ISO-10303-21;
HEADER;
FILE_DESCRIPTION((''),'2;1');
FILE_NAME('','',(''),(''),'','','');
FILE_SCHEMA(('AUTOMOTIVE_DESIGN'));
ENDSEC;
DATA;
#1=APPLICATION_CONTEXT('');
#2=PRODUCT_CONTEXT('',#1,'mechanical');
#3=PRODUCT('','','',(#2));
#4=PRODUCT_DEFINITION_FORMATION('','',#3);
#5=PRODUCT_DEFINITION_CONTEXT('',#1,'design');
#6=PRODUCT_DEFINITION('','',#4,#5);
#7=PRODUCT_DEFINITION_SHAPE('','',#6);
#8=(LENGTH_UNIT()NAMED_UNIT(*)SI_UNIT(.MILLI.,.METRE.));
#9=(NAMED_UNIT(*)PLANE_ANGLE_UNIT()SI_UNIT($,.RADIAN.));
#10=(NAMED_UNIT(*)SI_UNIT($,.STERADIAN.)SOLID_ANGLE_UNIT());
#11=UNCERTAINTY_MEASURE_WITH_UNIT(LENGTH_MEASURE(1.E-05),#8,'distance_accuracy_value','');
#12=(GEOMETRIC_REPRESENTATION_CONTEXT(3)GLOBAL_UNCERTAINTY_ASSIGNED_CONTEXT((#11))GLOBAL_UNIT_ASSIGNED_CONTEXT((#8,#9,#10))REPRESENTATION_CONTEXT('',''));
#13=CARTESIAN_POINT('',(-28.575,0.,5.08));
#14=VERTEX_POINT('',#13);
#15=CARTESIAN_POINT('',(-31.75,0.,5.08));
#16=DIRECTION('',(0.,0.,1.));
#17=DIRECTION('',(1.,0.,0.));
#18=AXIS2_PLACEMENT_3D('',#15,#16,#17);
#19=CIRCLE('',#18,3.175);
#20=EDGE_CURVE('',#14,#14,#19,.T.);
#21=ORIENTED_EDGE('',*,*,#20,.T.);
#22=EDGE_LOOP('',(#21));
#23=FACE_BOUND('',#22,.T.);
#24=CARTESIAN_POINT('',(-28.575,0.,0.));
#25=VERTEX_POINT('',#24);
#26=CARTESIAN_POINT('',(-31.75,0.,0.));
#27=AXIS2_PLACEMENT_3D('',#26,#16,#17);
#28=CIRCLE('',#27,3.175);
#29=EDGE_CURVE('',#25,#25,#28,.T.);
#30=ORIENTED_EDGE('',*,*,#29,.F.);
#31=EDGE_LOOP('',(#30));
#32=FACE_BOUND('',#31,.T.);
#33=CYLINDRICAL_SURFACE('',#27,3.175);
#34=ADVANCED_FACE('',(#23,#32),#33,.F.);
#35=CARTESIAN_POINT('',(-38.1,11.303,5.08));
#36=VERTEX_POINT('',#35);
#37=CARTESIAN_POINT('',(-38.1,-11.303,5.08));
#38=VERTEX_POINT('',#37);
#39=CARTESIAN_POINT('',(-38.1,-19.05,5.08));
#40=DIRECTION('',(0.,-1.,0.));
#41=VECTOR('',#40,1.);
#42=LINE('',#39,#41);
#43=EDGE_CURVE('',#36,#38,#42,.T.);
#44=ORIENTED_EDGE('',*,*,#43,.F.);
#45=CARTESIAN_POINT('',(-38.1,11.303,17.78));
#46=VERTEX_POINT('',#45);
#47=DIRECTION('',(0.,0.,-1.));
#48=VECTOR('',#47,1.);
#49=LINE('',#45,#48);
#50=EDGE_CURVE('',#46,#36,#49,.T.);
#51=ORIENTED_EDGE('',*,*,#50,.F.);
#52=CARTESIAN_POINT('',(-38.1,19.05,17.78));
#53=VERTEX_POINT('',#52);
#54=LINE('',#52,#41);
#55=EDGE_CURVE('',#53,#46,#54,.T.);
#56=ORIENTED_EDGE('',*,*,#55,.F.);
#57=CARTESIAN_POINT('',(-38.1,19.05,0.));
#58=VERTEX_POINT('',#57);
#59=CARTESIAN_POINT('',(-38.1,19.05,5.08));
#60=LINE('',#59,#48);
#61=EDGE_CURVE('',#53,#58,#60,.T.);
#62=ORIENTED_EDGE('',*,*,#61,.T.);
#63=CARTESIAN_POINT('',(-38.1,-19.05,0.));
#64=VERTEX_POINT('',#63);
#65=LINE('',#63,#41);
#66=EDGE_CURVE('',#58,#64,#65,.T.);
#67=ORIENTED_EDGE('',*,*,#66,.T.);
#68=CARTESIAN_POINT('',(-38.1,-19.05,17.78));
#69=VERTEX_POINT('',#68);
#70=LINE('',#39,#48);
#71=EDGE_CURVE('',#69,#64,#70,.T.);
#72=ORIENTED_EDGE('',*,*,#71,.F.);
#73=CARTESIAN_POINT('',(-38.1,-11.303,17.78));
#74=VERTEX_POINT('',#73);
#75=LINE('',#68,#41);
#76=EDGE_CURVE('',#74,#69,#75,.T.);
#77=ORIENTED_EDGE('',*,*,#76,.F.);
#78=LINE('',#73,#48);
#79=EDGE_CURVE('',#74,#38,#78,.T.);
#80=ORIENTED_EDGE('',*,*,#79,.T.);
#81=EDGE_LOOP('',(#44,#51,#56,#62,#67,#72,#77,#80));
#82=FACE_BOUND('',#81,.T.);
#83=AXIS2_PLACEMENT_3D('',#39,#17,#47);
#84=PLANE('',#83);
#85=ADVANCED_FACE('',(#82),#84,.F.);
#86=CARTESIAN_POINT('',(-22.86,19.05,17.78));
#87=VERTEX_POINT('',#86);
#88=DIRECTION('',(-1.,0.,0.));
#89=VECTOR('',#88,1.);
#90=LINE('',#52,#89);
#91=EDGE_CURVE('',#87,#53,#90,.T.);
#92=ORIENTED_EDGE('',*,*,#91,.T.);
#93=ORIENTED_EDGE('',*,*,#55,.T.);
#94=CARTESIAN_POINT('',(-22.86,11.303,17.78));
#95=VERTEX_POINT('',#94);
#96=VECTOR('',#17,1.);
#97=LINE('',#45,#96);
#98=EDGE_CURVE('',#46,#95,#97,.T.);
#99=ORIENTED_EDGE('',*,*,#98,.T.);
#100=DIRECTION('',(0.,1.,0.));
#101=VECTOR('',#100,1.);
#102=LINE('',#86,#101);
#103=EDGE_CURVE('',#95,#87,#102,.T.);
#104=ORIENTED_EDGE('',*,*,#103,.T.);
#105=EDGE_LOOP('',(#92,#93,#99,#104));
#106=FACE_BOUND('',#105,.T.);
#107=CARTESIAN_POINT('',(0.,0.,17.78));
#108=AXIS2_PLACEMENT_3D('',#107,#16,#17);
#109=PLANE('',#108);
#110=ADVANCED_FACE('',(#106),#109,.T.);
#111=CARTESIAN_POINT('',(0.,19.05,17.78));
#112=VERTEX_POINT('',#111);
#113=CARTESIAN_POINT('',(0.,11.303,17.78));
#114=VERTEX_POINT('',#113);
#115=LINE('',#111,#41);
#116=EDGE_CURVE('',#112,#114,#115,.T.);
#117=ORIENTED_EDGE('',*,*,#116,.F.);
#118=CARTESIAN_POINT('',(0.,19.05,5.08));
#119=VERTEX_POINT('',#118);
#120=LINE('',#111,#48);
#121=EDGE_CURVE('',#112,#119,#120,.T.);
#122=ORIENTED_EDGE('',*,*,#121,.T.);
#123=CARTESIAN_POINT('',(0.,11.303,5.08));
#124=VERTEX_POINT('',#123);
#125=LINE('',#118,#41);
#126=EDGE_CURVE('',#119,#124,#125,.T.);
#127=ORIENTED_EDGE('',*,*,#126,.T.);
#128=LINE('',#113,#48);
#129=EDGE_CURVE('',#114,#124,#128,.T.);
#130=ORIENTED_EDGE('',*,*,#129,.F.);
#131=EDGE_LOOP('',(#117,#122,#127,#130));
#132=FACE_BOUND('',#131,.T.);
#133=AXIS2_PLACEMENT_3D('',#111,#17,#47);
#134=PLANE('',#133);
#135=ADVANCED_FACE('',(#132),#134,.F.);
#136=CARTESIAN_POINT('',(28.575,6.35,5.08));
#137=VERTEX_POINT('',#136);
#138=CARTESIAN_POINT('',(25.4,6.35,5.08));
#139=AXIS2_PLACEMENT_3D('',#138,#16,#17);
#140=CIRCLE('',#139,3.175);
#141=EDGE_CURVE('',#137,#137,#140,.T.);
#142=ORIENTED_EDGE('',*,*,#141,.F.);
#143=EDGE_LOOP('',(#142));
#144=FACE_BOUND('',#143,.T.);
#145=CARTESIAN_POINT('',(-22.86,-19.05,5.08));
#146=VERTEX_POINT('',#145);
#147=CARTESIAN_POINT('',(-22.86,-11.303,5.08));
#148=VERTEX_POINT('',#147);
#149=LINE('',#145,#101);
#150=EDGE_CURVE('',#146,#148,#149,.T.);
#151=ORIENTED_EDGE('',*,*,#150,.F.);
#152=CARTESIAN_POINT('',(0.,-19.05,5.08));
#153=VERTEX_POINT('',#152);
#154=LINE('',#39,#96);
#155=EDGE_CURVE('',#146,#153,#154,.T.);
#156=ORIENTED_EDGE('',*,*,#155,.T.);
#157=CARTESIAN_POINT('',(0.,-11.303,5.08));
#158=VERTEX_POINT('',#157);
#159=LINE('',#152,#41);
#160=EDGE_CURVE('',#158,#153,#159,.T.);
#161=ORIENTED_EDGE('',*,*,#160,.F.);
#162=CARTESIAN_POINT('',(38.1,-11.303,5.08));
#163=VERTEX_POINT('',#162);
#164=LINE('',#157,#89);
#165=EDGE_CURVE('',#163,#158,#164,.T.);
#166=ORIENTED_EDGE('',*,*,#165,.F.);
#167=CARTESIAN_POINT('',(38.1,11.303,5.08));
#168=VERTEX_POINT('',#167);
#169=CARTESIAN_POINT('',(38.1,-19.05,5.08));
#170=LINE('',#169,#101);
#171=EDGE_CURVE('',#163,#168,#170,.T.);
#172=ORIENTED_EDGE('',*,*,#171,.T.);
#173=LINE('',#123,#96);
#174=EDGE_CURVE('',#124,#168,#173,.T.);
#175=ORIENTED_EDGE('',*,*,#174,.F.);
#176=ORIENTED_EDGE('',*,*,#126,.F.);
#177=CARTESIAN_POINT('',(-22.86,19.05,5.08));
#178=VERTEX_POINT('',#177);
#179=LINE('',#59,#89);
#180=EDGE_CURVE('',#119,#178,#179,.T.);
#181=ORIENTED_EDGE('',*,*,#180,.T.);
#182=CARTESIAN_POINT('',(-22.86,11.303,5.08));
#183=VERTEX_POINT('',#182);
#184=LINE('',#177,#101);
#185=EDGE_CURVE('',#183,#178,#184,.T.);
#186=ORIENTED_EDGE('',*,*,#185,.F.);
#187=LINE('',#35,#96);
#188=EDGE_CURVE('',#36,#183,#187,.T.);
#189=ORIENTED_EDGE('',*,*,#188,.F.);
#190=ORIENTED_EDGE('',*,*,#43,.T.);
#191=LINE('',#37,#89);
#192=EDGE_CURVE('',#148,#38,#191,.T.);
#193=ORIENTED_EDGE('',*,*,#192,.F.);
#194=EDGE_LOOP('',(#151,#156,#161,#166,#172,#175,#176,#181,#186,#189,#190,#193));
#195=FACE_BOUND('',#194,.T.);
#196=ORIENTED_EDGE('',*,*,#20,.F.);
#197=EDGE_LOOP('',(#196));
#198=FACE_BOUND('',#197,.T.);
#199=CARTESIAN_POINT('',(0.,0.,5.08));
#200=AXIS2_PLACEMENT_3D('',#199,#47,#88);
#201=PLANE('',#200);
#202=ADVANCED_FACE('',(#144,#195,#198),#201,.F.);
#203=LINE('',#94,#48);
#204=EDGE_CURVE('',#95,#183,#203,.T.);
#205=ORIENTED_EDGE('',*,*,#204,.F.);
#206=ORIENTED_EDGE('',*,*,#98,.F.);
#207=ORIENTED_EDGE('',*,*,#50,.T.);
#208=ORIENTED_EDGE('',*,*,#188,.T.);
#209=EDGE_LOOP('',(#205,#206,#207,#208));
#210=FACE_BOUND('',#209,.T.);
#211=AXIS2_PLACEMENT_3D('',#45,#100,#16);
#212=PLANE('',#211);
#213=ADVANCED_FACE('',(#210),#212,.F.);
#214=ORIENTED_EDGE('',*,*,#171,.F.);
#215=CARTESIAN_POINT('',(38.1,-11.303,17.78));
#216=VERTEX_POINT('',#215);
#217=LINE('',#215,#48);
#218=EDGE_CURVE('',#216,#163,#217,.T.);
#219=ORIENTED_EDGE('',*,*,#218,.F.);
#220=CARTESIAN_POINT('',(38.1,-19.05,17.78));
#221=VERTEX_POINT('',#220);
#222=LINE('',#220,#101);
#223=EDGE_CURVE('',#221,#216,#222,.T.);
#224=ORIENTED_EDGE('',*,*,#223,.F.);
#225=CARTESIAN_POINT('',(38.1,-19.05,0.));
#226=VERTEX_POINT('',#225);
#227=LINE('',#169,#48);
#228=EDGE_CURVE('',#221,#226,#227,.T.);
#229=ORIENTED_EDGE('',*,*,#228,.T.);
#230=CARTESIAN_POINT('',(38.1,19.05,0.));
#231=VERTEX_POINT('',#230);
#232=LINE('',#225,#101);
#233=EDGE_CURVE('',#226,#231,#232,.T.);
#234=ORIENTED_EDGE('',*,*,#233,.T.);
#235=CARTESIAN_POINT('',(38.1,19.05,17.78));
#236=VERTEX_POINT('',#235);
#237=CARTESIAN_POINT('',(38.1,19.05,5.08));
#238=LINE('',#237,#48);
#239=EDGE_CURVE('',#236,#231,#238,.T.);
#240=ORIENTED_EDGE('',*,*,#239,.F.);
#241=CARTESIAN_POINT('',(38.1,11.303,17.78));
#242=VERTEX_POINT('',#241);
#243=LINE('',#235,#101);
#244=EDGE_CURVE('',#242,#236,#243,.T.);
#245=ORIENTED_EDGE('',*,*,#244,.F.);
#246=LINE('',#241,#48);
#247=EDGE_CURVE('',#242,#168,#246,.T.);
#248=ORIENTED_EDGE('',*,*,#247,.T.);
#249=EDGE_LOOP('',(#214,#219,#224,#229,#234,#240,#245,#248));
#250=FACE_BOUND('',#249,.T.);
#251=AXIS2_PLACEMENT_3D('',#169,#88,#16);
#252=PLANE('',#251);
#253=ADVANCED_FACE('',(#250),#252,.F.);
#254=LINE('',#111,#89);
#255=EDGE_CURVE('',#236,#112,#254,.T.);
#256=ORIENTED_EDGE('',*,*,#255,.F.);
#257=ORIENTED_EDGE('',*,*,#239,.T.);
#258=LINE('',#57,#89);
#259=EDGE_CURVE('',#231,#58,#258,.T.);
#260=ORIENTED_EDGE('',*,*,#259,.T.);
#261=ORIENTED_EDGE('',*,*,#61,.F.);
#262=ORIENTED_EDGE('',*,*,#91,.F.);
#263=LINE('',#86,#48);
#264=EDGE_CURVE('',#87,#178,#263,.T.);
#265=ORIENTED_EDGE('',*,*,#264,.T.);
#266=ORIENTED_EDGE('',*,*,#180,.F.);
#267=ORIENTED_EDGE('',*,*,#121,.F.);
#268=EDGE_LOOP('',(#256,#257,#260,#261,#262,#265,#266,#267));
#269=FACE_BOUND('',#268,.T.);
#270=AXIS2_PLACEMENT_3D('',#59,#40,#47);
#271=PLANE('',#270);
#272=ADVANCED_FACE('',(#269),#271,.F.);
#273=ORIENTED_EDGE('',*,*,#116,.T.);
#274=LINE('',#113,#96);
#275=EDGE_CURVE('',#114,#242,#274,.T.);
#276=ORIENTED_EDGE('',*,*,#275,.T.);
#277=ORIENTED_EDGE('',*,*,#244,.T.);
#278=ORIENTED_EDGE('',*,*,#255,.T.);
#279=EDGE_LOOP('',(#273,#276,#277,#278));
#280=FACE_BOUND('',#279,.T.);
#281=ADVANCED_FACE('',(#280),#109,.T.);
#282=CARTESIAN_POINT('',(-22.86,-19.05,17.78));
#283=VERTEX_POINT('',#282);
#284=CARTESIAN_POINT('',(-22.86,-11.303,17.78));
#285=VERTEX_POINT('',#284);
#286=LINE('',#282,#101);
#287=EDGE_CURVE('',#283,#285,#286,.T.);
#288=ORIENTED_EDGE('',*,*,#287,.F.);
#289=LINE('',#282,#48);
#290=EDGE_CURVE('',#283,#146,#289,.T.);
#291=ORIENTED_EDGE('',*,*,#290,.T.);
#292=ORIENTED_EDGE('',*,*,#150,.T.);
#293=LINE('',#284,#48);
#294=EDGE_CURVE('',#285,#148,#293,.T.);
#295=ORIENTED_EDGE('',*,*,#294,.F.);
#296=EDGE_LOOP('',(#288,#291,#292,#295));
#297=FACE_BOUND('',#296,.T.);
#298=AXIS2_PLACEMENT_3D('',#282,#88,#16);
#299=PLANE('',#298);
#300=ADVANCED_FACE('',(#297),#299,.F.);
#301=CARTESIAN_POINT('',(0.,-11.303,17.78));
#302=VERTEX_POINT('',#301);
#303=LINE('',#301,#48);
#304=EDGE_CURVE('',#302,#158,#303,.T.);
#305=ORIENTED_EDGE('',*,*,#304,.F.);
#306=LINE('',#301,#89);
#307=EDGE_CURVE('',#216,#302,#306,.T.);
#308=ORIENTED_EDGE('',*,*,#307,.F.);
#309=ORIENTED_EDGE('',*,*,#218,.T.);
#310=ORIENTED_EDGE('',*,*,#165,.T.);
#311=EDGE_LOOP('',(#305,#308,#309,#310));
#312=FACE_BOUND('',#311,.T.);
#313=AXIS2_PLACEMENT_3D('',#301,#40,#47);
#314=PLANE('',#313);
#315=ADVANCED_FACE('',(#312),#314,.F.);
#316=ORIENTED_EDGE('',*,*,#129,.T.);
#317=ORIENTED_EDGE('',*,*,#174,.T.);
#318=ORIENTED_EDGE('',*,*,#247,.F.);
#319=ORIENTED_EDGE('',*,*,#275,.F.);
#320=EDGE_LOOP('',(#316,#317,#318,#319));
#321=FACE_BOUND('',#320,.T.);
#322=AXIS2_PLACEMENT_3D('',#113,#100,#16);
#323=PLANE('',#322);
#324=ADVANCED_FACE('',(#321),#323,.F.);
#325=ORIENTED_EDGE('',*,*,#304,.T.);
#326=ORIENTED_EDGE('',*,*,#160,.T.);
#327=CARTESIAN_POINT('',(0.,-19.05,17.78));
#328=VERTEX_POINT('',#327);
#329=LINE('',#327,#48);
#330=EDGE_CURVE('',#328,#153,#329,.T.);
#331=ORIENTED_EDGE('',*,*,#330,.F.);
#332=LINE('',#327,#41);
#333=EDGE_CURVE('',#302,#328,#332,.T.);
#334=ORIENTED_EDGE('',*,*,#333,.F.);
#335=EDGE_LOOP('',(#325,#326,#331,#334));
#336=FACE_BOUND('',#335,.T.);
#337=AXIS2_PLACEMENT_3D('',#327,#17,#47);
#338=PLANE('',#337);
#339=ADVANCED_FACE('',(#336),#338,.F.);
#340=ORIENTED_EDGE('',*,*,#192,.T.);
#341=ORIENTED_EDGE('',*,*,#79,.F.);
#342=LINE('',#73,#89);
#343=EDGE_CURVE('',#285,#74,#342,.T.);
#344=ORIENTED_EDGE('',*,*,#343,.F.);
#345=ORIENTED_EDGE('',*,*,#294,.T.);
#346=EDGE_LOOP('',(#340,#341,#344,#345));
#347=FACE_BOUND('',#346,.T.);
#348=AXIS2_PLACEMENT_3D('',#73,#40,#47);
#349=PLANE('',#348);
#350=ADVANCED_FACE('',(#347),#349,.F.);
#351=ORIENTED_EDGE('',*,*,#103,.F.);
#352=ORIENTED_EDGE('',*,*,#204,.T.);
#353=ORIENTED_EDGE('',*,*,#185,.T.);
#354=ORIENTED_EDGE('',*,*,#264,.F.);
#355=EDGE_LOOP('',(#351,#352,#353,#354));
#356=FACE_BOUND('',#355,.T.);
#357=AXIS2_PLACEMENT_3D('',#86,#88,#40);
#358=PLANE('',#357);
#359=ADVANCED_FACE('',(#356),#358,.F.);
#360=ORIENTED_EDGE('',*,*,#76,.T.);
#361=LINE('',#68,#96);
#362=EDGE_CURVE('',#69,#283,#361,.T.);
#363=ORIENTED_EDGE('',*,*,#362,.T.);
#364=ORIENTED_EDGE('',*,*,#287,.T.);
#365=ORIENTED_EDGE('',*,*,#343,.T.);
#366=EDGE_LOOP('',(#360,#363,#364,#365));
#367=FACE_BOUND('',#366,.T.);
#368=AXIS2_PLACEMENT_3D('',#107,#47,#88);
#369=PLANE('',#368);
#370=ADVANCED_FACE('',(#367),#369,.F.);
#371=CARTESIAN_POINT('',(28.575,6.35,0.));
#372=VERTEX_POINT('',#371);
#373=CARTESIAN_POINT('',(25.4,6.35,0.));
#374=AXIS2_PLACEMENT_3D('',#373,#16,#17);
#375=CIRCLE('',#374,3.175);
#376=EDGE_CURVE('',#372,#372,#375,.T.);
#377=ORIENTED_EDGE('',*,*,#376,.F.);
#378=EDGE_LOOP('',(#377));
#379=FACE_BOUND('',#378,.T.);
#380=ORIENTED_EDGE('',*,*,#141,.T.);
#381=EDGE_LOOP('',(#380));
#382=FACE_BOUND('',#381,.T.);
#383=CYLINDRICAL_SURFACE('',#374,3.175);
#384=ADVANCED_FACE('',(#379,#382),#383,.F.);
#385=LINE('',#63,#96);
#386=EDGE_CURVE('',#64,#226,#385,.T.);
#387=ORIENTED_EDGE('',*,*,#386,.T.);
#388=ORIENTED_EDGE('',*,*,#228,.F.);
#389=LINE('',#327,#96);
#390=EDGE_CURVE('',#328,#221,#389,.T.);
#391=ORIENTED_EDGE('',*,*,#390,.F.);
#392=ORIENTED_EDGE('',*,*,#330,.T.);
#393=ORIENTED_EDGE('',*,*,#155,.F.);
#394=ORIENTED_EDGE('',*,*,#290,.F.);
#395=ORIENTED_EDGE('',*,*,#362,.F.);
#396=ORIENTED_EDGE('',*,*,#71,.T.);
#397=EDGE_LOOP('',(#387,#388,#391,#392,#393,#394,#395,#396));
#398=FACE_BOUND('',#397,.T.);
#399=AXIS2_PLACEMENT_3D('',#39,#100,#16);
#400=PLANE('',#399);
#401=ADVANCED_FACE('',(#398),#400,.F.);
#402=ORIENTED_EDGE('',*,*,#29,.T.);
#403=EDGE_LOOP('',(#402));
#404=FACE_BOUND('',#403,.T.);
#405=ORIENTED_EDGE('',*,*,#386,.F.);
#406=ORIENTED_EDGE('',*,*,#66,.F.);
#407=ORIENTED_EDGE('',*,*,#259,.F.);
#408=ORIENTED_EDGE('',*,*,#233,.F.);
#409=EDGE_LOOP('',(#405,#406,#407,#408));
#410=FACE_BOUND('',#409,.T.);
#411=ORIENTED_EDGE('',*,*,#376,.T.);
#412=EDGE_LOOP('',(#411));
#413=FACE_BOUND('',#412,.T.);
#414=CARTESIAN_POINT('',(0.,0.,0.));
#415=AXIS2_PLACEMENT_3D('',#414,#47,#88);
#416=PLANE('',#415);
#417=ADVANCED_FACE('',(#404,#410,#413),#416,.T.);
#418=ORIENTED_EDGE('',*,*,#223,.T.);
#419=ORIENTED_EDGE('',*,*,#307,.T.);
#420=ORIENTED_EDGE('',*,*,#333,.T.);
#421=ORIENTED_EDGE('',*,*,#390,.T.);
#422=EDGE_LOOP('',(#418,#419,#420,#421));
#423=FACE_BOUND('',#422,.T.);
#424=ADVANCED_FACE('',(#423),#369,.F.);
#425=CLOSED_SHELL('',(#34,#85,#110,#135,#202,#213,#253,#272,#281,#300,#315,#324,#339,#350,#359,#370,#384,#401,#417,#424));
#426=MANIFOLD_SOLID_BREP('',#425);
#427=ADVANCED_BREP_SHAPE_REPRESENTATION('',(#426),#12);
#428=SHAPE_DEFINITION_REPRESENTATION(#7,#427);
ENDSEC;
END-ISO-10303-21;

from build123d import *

# Parameters (mm, degrees)
SKETCH1_W           = 76.2
SKETCH1_H           = 38.1
BOSS_EXTRUDE1_DEPTH = 5.08
SKETCH2_W           = 38.1
SKETCH2_H           = 7.747
SKETCH2_W_2         = 15.24
BOSS_EXTRUDE2_DEPTH = 12.7
SKETCH3_R           = 3.175
CUT_EXTRUDE1_DEPTH  = 6.08
SKETCH4_R           = 3.175
CUT_EXTRUDE2_DEPTH  = 6.08


with BuildPart() as part:
    # Sketch1 → Boss-Extrude1 (new body)
    with BuildSketch(Plane.XY):
        Rectangle(SKETCH1_W, SKETCH1_H)
    extrude(amount=BOSS_EXTRUDE1_DEPTH)

    # Sketch2 → Boss-Extrude2 (add)
    with BuildSketch(Plane.XY.offset(5.08)):
        with Locations((19.05, 15.1765)):
            Rectangle(SKETCH2_W, SKETCH2_H)
        with Locations((19.05, -15.1765)):
            Rectangle(SKETCH2_W, SKETCH2_H)
        with Locations((-30.48, 15.1765)):
            Rectangle(SKETCH2_W_2, SKETCH2_H)
        with Locations((-30.48, -15.1765)):
            Rectangle(SKETCH2_W_2, SKETCH2_H)
    extrude(amount=BOSS_EXTRUDE2_DEPTH)

    # Sketch3 → Cut-Extrude1 (cut, through all)
    with BuildSketch(Plane.XY.offset(5.08)):
        with Locations((25.4, 6.35)):
            Circle(SKETCH3_R)
    extrude(amount=-CUT_EXTRUDE1_DEPTH, mode=Mode.SUBTRACT)

    # Sketch4 → Cut-Extrude2 (cut, through all)
    with BuildSketch(Plane.XY.offset(5.08)):
        with Locations((-31.75, 0)):
            Circle(SKETCH4_R)
    extrude(amount=-CUT_EXTRUDE2_DEPTH, mode=Mode.SUBTRACT)


solid = part.part
